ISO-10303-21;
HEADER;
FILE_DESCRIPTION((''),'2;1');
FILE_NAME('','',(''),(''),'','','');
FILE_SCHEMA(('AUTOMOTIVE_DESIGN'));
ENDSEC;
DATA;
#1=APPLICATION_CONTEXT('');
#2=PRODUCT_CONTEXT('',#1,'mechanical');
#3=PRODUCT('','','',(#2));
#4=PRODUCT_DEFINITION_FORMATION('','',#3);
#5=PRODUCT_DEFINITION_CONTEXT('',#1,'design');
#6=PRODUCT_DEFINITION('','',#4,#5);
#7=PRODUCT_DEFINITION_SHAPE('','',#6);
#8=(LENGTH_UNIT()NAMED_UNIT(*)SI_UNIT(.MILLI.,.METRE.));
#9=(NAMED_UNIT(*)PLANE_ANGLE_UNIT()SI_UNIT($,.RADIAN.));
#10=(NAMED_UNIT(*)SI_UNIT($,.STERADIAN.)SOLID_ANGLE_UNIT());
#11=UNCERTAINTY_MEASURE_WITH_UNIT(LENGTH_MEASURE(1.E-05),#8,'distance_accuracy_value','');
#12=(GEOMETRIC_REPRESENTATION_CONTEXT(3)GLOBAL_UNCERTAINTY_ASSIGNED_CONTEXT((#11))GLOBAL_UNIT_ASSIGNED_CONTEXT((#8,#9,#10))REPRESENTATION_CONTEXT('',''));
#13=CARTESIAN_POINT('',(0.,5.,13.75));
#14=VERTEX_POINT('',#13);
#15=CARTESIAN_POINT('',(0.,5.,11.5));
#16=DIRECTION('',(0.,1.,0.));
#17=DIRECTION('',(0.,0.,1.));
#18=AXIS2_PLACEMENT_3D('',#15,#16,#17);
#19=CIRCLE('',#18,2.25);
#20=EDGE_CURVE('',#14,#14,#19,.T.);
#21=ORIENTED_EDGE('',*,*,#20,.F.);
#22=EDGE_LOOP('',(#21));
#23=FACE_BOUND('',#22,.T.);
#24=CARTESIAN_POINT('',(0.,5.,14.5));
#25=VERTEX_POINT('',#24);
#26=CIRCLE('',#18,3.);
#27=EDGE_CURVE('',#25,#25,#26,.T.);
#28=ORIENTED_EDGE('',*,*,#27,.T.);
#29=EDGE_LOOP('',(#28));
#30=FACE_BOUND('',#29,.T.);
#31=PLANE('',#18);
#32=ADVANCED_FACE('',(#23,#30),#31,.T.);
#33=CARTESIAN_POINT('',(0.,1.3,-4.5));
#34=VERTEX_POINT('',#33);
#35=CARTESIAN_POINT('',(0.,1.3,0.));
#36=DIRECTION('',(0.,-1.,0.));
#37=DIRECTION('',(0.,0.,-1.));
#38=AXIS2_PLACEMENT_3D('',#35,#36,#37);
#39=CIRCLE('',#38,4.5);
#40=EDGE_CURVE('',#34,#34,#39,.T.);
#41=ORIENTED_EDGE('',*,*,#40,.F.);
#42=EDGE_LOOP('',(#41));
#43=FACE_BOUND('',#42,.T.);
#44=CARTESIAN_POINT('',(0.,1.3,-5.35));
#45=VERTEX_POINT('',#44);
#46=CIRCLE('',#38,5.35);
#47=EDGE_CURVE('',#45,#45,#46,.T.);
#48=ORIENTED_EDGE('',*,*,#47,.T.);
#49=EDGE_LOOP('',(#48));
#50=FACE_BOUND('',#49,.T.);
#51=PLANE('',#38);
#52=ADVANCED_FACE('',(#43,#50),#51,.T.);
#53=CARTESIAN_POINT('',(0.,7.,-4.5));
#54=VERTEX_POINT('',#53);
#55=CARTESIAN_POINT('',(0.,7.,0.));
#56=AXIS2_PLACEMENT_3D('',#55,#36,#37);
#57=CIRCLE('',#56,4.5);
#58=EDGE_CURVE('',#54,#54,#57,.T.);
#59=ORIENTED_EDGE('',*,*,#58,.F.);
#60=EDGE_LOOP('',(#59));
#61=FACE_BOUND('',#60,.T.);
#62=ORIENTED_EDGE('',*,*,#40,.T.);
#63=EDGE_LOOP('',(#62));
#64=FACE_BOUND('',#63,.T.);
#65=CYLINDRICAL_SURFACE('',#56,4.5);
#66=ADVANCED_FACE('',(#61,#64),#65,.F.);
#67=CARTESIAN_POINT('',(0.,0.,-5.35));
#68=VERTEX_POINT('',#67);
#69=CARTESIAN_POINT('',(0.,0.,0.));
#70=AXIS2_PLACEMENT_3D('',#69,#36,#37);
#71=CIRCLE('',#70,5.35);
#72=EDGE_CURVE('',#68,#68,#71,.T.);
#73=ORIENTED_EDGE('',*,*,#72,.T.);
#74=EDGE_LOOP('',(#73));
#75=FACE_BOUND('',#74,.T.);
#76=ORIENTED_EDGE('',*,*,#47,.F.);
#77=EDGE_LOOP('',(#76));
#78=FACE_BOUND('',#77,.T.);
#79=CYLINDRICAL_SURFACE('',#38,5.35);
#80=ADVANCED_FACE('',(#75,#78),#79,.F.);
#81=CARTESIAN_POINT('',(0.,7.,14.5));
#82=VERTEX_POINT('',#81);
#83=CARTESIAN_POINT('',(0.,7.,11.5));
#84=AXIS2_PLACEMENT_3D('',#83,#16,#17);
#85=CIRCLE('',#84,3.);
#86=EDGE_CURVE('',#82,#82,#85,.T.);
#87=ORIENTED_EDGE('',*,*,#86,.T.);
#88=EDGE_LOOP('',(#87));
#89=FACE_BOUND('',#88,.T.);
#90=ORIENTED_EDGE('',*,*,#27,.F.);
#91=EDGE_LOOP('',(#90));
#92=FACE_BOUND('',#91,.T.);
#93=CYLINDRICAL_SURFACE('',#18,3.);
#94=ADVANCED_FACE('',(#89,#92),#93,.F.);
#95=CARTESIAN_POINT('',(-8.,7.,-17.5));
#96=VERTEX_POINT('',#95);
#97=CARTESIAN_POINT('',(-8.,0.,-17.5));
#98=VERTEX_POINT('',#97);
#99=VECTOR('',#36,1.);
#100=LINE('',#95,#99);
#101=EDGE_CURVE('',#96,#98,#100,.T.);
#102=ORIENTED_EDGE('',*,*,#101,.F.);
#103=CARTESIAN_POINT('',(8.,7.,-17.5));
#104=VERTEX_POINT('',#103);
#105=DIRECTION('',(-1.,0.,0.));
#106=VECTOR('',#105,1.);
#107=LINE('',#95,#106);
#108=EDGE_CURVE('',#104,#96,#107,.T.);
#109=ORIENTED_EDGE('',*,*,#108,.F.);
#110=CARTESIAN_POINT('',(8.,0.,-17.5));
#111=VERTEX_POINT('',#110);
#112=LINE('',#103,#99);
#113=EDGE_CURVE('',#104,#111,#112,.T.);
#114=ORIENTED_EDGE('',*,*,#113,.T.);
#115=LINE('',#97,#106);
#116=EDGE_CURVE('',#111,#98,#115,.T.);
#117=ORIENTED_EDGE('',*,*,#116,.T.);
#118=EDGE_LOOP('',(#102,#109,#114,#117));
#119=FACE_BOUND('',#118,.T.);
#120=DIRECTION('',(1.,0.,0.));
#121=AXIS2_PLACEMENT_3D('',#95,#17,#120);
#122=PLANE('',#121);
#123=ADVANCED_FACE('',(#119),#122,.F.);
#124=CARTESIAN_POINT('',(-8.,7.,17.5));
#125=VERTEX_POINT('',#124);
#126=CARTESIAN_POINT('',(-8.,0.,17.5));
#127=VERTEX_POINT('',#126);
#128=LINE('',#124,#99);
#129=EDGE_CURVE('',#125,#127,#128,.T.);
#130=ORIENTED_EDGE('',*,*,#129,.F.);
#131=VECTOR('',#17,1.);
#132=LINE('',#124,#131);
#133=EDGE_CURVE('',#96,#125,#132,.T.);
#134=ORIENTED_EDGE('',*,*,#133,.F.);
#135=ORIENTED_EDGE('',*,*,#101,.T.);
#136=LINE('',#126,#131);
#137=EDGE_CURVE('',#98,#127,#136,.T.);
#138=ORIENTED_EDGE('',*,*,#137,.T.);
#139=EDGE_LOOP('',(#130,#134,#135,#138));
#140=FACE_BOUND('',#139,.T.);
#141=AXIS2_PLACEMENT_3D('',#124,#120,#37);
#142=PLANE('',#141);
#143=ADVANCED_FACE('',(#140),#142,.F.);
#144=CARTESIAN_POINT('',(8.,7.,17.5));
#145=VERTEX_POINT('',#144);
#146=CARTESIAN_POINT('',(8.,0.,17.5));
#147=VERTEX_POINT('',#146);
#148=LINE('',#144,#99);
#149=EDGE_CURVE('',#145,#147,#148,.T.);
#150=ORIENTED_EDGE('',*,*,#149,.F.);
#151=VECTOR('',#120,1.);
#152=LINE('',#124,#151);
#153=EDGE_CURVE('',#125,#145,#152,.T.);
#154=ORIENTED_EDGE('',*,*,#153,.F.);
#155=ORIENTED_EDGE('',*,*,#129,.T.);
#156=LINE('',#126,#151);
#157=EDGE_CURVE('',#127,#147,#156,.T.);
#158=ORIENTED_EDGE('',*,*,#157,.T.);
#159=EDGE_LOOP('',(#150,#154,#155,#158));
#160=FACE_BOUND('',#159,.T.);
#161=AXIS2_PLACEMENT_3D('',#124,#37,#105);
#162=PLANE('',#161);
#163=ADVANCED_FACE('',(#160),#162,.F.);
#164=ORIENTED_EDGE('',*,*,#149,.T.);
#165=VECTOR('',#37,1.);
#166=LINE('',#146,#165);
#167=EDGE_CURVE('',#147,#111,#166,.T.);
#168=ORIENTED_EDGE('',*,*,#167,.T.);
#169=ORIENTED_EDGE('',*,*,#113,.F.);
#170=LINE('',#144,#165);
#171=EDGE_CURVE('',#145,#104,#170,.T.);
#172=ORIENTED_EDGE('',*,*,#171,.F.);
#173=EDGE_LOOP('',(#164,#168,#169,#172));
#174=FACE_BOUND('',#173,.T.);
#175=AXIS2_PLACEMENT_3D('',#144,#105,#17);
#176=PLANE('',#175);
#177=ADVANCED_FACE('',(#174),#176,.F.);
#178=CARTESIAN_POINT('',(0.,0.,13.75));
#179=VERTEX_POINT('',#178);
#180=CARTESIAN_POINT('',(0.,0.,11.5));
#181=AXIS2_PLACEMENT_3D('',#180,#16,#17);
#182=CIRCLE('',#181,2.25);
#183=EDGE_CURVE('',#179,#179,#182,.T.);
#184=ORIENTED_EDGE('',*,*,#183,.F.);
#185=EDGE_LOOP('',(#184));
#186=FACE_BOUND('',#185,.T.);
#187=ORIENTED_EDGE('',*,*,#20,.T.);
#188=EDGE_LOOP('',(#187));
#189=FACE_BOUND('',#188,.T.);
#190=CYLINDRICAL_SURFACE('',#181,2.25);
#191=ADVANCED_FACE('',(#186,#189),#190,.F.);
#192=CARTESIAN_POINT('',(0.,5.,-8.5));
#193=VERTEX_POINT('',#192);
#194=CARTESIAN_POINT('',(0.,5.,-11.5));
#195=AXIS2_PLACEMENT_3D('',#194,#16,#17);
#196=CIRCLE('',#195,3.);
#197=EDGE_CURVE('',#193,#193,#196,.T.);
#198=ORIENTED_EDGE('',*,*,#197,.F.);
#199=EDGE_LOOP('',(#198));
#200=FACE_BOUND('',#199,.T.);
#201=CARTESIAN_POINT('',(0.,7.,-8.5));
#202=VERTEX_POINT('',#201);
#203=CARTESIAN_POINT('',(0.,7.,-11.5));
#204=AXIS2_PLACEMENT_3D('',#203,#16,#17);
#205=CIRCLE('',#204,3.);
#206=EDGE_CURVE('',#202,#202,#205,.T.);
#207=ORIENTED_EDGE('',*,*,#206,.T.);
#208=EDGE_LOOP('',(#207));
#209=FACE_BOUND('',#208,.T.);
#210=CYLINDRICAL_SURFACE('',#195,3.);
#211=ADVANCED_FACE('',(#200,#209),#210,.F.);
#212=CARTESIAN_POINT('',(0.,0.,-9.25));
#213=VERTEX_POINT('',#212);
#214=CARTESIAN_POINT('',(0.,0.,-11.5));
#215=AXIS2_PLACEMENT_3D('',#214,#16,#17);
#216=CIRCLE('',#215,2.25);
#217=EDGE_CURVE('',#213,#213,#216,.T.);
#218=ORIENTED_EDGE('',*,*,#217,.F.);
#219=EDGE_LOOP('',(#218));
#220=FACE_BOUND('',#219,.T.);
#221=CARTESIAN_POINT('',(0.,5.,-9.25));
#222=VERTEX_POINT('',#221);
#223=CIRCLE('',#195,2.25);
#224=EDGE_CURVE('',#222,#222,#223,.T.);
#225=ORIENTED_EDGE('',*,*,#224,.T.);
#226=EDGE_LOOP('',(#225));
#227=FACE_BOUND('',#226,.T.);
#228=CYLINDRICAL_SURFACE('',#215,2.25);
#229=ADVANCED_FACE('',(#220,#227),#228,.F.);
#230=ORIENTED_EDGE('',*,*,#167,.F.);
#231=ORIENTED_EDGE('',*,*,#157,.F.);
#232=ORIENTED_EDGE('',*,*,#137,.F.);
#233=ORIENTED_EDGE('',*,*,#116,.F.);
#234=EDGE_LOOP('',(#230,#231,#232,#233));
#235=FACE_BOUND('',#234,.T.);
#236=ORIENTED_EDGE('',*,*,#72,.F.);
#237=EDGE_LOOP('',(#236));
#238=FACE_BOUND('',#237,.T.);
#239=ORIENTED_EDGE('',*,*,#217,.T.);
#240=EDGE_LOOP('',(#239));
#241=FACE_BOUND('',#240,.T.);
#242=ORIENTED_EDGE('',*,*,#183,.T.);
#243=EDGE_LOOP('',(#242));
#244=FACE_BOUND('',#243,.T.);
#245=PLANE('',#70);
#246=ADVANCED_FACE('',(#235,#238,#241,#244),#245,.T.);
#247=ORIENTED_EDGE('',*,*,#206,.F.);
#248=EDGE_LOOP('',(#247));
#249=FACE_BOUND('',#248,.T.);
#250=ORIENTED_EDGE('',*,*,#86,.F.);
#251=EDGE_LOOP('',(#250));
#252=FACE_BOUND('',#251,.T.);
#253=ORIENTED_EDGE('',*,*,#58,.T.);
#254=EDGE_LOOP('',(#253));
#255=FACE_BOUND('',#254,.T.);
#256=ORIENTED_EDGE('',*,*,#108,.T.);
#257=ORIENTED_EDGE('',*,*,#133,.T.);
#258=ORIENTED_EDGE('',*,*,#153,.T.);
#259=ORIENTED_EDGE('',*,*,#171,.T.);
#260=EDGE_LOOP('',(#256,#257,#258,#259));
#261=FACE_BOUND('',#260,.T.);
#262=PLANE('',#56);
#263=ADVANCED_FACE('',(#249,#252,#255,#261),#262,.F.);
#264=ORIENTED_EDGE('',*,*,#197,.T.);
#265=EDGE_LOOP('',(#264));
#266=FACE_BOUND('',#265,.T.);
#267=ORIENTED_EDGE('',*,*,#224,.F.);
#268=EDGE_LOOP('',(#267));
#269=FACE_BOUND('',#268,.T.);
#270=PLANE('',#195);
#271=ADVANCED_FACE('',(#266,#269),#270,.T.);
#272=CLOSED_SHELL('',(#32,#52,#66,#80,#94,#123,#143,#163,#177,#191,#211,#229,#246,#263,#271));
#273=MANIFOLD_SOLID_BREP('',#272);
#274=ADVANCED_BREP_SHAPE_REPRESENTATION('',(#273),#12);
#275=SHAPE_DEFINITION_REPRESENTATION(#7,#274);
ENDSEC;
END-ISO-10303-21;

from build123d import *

# Parameters (mm, degrees)
SKETCH_1_W          = 16
SKETCH_1_H          = 35
EXTRUDE_1_DEPTH     = 7
SKETCH_2_R          = 5.35
CUT_EXTRUDE_1_DEPTH = 1.3
SKETCH_3_R          = 4.5
CUT_EXTRUDE_2_DEPTH = 21.068383094
SKETCH_4_R          = 3
CUT_EXTRUDE_3_DEPTH = 2
SKETCH_6_R          = 2.25
CUT_EXTRUDE_4_DEPTH = 20.880895352


with BuildPart() as part:
    # 草图1 → 凸台-拉伸1 (new body)
    with BuildSketch(Plane(origin=(0, 0, 0), x_dir=(1, 0, 0), z_dir=(0, 1, 0))):
        Rectangle(SKETCH_1_W, SKETCH_1_H)
    extrude(amount=EXTRUDE_1_DEPTH)

    # 草图2 → 切除-拉伸1 (cut)
    with BuildSketch(Plane.XZ):
        with Locations(Location((0, 0, 0), (0, 0, 270))):
            Circle(SKETCH_2_R)
    extrude(amount=-CUT_EXTRUDE_1_DEPTH, mode=Mode.SUBTRACT)

    # 草图3 → 切除-拉伸2 (cut, through all)
    with BuildSketch(Plane.XZ.offset(-1.3)):
        with Locations(Location((0, 0, 0), (0, 0, 270))):
            Circle(SKETCH_3_R)
    extrude(amount=-CUT_EXTRUDE_2_DEPTH, mode=Mode.SUBTRACT)

    # 草图4 → 切除-拉伸3 (cut)
    with BuildSketch(Plane(origin=(0, 7, 0), x_dir=(1, 0, 0), z_dir=(0, 1, 0))):
        with Locations(Location((0, 11.5, 0), (0, 0, 270))):
            Circle(SKETCH_4_R)
        with Locations(Location((0, -11.5, 0), (0, 0, 270))):
            Circle(SKETCH_4_R)
    extrude(amount=-CUT_EXTRUDE_3_DEPTH, mode=Mode.SUBTRACT)

    # 草图6 → 切除-拉伸4 (cut, through all)
    with BuildSketch(Plane(origin=(0, 5, 0), x_dir=(1, 0, 0), z_dir=(0, 1, 0))):
        with Locations(Location((0, -11.5, 0), (0, 0, 270))):
            Circle(SKETCH_6_R)
        with Locations(Location((0, 11.5, 0), (0, 0, 270))):
            Circle(SKETCH_6_R)
    extrude(amount=-CUT_EXTRUDE_4_DEPTH, mode=Mode.SUBTRACT)


solid = part.part
